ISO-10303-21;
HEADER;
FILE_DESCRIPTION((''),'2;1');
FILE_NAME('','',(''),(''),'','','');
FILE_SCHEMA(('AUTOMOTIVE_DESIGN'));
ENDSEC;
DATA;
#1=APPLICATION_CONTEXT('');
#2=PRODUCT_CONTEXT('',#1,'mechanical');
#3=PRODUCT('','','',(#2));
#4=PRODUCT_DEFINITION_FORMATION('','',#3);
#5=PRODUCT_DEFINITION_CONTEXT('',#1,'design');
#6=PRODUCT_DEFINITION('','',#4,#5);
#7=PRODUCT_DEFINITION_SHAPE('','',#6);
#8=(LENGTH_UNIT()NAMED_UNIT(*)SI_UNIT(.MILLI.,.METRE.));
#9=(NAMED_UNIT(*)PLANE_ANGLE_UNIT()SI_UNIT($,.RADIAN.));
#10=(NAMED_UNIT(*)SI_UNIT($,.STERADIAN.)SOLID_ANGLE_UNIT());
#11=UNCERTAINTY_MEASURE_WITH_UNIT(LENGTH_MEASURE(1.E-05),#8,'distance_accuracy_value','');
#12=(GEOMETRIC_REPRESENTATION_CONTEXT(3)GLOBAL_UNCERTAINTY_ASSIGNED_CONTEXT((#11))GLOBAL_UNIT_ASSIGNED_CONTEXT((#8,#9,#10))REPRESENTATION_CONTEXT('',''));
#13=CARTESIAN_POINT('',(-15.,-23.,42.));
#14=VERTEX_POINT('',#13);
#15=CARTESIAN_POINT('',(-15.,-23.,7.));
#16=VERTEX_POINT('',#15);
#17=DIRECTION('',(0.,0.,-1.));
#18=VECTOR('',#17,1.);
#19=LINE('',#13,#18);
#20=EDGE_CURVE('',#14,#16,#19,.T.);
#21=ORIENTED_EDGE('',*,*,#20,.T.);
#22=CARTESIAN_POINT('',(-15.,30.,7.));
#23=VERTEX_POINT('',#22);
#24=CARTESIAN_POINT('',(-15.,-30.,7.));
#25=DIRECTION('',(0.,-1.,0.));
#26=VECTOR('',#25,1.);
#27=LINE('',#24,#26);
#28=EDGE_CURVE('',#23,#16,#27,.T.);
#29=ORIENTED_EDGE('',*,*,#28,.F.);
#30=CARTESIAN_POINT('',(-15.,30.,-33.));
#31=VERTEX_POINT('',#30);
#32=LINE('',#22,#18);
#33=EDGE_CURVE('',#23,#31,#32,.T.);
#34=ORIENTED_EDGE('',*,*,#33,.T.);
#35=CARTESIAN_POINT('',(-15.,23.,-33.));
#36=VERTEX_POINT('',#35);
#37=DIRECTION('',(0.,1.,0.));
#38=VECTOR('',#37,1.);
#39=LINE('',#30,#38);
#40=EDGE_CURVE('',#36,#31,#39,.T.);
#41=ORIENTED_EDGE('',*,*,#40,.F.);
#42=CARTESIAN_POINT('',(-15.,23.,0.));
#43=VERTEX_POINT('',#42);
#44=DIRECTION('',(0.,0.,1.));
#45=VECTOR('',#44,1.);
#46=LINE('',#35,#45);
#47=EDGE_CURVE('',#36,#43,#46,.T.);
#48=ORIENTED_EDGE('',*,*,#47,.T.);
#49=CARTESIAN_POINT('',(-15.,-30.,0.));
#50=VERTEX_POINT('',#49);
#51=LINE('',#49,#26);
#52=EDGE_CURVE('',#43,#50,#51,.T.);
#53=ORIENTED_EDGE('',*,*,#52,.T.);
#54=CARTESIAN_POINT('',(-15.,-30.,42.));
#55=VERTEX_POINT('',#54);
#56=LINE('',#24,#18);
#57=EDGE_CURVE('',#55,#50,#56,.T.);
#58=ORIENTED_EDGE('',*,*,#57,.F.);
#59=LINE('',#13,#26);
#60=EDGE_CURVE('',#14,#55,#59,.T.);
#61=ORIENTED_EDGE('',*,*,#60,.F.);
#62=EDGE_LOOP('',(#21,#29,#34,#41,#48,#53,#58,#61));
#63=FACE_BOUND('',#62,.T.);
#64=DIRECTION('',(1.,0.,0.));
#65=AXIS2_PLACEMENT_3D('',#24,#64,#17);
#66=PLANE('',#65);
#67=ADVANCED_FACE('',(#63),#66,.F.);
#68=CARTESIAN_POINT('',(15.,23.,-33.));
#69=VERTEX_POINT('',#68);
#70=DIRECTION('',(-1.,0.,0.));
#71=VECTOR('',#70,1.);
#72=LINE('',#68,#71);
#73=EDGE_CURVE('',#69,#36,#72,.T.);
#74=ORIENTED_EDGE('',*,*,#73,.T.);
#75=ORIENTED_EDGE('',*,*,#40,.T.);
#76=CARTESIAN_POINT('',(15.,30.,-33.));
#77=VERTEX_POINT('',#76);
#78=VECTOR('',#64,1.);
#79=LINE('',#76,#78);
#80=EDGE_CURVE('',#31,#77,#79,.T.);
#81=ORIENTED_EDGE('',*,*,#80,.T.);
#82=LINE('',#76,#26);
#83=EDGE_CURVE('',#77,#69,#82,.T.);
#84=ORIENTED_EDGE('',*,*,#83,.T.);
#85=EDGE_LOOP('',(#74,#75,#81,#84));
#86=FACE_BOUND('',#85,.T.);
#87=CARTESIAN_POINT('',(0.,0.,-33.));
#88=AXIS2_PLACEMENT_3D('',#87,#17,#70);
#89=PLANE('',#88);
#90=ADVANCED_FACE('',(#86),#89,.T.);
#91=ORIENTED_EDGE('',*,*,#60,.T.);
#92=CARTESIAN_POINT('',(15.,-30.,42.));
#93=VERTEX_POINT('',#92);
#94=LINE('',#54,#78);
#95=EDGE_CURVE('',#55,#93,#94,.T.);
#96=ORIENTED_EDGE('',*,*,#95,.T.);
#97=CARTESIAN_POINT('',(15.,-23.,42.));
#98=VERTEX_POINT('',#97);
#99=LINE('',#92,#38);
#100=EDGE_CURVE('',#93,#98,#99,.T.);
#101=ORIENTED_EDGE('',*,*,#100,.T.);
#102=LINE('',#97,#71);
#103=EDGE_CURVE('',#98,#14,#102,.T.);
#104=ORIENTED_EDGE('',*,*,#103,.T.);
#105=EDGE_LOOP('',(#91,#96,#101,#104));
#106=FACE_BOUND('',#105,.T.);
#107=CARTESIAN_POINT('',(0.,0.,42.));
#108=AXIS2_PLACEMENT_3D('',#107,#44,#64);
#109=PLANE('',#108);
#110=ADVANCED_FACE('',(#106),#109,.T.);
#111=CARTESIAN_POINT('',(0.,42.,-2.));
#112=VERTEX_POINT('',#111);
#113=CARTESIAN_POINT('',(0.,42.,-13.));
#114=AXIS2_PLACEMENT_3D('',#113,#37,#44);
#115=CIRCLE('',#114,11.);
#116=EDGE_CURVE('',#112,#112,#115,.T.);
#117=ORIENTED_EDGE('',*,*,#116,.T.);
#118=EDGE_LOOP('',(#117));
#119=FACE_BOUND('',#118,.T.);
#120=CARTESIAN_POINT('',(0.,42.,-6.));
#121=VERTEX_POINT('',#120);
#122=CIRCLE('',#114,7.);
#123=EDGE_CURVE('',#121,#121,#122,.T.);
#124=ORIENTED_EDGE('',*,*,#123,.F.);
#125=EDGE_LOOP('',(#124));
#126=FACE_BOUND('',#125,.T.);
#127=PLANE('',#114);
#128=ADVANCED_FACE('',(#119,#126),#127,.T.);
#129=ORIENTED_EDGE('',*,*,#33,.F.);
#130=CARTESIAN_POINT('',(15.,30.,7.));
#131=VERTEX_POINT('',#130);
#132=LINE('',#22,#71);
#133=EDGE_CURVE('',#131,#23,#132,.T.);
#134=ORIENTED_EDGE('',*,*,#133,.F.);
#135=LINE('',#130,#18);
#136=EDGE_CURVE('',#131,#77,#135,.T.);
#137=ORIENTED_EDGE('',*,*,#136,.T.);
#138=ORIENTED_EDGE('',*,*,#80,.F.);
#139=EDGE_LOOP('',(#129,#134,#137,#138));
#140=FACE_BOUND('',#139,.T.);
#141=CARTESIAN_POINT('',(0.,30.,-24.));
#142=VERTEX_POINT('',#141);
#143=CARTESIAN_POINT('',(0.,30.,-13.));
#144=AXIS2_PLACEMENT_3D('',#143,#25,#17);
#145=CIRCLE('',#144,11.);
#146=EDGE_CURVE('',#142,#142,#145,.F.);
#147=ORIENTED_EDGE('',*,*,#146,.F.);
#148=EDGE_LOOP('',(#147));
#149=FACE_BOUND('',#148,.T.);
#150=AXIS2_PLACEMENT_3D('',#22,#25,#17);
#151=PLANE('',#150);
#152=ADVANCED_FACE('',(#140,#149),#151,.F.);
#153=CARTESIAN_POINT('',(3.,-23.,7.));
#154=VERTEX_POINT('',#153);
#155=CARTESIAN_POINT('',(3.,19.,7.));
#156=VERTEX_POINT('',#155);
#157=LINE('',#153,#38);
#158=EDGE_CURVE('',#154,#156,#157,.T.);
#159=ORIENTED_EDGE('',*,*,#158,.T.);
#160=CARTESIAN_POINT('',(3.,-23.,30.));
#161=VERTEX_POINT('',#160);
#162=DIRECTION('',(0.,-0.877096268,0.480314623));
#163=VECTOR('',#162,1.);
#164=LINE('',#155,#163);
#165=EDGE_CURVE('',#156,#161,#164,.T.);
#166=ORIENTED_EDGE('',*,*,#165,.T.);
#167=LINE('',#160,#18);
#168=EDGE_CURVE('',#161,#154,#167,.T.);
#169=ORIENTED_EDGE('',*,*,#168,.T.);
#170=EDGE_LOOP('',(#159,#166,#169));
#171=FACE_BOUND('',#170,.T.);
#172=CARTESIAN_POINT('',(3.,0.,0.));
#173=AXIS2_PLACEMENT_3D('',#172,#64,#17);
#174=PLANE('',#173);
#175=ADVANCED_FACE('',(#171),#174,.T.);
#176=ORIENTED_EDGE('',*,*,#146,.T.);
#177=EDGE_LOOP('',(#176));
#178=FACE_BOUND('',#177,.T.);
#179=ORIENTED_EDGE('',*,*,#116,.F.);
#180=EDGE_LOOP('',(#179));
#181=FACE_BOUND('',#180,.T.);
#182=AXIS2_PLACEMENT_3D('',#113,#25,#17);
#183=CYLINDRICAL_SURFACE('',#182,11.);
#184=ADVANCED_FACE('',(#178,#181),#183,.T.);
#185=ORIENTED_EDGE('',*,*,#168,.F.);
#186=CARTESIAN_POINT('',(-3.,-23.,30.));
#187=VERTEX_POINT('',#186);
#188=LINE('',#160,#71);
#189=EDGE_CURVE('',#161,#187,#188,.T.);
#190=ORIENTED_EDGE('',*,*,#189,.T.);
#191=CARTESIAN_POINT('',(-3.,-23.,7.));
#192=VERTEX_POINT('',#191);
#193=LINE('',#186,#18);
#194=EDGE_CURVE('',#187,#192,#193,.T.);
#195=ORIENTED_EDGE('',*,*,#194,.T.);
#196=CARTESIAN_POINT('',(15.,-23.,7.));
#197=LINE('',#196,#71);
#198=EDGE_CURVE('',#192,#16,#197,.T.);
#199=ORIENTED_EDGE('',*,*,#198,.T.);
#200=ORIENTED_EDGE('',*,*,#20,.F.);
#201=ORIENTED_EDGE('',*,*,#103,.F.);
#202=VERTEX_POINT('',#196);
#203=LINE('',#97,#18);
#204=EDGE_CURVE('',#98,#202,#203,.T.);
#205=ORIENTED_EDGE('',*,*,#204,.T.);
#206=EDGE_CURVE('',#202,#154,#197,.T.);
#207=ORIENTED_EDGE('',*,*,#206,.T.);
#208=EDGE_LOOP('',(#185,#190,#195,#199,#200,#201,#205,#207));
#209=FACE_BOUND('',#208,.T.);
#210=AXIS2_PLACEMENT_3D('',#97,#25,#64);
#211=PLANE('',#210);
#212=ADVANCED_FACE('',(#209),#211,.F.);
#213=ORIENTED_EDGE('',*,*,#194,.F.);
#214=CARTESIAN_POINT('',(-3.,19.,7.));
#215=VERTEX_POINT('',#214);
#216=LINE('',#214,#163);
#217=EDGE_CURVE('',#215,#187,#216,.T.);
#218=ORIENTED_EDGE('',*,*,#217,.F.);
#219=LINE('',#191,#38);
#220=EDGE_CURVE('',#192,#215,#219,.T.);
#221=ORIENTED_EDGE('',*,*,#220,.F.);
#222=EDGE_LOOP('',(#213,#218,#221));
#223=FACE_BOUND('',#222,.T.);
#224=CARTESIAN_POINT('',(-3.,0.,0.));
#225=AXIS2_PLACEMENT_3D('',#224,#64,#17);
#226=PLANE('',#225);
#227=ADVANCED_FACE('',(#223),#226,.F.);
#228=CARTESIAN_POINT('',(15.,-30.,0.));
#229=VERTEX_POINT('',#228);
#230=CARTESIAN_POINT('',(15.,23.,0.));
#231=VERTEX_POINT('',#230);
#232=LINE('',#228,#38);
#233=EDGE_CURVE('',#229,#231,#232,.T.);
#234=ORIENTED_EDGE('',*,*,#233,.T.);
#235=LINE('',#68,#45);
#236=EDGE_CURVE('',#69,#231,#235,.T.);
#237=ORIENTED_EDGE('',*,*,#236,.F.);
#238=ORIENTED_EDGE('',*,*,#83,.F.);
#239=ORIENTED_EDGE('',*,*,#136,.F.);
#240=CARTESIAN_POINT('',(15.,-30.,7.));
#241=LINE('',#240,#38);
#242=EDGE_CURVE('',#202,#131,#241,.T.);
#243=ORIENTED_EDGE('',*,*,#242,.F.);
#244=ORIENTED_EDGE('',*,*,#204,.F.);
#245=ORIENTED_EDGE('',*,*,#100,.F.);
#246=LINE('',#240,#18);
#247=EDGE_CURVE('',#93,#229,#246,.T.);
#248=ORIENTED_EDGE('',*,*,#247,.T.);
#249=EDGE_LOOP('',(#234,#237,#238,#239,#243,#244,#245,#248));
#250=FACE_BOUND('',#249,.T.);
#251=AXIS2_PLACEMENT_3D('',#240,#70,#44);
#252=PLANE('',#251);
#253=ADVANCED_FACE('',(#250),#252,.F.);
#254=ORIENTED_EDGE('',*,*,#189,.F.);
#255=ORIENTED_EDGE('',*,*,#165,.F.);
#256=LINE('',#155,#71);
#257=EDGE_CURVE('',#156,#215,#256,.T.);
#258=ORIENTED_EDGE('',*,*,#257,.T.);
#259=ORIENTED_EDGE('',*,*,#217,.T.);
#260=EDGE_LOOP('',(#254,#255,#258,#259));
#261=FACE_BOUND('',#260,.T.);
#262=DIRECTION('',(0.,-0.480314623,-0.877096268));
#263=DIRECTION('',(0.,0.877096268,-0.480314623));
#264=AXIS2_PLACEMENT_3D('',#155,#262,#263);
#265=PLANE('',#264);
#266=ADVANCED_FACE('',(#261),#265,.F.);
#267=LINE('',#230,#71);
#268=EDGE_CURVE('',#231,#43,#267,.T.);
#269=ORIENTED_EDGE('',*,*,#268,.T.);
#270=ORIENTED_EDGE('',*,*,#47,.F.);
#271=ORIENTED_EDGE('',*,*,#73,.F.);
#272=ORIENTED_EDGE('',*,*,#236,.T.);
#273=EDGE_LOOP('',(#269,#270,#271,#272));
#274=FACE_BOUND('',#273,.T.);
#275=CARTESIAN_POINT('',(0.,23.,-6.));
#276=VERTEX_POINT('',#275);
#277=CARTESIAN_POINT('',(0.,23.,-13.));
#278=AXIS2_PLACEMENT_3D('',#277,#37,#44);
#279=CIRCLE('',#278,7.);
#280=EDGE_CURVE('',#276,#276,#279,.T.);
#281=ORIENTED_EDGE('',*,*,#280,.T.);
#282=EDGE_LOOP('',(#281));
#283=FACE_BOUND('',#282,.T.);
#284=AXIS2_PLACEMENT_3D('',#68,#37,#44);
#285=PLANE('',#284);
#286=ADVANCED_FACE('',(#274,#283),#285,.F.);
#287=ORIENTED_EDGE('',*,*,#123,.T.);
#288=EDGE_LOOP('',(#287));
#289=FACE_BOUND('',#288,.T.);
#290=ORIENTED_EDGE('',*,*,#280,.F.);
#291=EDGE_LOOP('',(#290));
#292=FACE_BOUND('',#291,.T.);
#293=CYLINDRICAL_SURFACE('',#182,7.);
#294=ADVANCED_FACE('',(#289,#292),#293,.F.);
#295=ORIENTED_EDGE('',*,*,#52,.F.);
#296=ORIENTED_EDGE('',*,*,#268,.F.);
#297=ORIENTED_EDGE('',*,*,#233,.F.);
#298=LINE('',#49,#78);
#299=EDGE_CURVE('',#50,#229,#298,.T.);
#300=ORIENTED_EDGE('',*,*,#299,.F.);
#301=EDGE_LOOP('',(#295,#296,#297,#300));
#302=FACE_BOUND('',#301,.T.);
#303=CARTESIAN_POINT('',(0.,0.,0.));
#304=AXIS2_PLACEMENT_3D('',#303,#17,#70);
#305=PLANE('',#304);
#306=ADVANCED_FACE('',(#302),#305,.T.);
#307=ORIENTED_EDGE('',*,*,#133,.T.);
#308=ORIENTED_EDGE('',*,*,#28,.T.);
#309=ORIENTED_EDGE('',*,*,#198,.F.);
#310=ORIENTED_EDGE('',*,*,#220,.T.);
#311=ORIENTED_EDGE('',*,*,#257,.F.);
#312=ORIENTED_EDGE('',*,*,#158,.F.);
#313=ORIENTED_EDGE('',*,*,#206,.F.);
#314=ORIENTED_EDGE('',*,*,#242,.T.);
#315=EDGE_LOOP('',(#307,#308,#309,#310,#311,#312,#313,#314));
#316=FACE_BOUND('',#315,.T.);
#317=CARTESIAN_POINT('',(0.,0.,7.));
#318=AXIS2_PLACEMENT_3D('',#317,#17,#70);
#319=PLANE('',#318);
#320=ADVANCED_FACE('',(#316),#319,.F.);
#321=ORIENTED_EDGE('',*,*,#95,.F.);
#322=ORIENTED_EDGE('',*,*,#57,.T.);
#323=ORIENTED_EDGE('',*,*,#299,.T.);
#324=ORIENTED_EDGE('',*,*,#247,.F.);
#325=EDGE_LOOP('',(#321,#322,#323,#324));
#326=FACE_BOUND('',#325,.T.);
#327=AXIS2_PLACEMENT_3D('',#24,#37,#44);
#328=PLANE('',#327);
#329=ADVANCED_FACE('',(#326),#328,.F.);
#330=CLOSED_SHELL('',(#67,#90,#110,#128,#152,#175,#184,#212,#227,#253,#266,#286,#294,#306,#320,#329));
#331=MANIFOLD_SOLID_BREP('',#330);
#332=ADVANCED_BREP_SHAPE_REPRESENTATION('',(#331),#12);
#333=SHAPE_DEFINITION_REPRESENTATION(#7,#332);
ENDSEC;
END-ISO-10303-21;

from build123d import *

# Parameters (mm, degrees)
SKETCH1_W           = 30
SKETCH1_H           = 60
BOSS_EXTRUDE1_DEPTH = 7
SKETCH2_W           = 30
SKETCH2_H           = 7
BOSS_EXTRUDE2_DEPTH = 35
BOSS_EXTRUDE3_DEPTH = 3
SKETCH4_W           = 30
SKETCH4_H           = 7
BOSS_EXTRUDE4_DEPTH = 33
SKETCH5_R           = 11
SKETCH5_R_2         = 7
BOSS_EXTRUDE5_DEPTH = 12
CUT_EXTRUDE1_START  = -12
SKETCH6_R           = 7
CUT_EXTRUDE1_DEPTH  = 12


with BuildPart() as part:
    # Sketch1 → Boss-Extrude1 (new body)
    with BuildSketch(Plane.XY):
        Rectangle(SKETCH1_W, SKETCH1_H)
    extrude(amount=BOSS_EXTRUDE1_DEPTH)

    # Sketch2 → Boss-Extrude2 (add)
    with BuildSketch(Plane.XY.offset(7)):
        with Locations((0, -26.5)):
            Rectangle(SKETCH2_W, SKETCH2_H)
    extrude(amount=BOSS_EXTRUDE2_DEPTH)

    # Sketch3 → Boss-Extrude3 (add, symmetric)
    with BuildSketch(Plane(origin=(0, 0, 0), x_dir=(0, 0, -1), z_dir=(1, 0, 0))):
        Polygon((-7, -23), (-7, 19), (-30, -23), align=None)
    extrude(amount=BOSS_EXTRUDE3_DEPTH, both=True)

    # Sketch4 → Boss-Extrude4 (add)
    with BuildSketch(Plane(origin=(0, 0, 0), x_dir=(-1, 0, 0), z_dir=(0, 0, -1))):
        with Locations((0, 26.5)):
            Rectangle(SKETCH4_W, SKETCH4_H)
    extrude(amount=BOSS_EXTRUDE4_DEPTH)

    # Sketch5 → Boss-Extrude5 (add)
    with BuildSketch(Plane(origin=(0, 30, 0), x_dir=(1, 0, 0), z_dir=(0, 1, 0))):
        with Locations(Location((0, 13, 0), (0, 0, 90))):
            Circle(SKETCH5_R)
        with Locations(Location((0, 13, 0), (0, 0, 270))):
            Circle(SKETCH5_R_2, mode=Mode.SUBTRACT)
    extrude(amount=BOSS_EXTRUDE5_DEPTH)

    # Sketch6 → Cut-Extrude1 (cut)
    with BuildSketch(Plane(origin=(0, 30, 0), x_dir=(1, 0, 0), z_dir=(0, 1, 0)).offset(CUT_EXTRUDE1_START)):
        with Locations(Location((0, 13, 0), (0, 0, 270))):
            Circle(SKETCH6_R)
    extrude(amount=CUT_EXTRUDE1_DEPTH, mode=Mode.SUBTRACT)


solid = part.part
